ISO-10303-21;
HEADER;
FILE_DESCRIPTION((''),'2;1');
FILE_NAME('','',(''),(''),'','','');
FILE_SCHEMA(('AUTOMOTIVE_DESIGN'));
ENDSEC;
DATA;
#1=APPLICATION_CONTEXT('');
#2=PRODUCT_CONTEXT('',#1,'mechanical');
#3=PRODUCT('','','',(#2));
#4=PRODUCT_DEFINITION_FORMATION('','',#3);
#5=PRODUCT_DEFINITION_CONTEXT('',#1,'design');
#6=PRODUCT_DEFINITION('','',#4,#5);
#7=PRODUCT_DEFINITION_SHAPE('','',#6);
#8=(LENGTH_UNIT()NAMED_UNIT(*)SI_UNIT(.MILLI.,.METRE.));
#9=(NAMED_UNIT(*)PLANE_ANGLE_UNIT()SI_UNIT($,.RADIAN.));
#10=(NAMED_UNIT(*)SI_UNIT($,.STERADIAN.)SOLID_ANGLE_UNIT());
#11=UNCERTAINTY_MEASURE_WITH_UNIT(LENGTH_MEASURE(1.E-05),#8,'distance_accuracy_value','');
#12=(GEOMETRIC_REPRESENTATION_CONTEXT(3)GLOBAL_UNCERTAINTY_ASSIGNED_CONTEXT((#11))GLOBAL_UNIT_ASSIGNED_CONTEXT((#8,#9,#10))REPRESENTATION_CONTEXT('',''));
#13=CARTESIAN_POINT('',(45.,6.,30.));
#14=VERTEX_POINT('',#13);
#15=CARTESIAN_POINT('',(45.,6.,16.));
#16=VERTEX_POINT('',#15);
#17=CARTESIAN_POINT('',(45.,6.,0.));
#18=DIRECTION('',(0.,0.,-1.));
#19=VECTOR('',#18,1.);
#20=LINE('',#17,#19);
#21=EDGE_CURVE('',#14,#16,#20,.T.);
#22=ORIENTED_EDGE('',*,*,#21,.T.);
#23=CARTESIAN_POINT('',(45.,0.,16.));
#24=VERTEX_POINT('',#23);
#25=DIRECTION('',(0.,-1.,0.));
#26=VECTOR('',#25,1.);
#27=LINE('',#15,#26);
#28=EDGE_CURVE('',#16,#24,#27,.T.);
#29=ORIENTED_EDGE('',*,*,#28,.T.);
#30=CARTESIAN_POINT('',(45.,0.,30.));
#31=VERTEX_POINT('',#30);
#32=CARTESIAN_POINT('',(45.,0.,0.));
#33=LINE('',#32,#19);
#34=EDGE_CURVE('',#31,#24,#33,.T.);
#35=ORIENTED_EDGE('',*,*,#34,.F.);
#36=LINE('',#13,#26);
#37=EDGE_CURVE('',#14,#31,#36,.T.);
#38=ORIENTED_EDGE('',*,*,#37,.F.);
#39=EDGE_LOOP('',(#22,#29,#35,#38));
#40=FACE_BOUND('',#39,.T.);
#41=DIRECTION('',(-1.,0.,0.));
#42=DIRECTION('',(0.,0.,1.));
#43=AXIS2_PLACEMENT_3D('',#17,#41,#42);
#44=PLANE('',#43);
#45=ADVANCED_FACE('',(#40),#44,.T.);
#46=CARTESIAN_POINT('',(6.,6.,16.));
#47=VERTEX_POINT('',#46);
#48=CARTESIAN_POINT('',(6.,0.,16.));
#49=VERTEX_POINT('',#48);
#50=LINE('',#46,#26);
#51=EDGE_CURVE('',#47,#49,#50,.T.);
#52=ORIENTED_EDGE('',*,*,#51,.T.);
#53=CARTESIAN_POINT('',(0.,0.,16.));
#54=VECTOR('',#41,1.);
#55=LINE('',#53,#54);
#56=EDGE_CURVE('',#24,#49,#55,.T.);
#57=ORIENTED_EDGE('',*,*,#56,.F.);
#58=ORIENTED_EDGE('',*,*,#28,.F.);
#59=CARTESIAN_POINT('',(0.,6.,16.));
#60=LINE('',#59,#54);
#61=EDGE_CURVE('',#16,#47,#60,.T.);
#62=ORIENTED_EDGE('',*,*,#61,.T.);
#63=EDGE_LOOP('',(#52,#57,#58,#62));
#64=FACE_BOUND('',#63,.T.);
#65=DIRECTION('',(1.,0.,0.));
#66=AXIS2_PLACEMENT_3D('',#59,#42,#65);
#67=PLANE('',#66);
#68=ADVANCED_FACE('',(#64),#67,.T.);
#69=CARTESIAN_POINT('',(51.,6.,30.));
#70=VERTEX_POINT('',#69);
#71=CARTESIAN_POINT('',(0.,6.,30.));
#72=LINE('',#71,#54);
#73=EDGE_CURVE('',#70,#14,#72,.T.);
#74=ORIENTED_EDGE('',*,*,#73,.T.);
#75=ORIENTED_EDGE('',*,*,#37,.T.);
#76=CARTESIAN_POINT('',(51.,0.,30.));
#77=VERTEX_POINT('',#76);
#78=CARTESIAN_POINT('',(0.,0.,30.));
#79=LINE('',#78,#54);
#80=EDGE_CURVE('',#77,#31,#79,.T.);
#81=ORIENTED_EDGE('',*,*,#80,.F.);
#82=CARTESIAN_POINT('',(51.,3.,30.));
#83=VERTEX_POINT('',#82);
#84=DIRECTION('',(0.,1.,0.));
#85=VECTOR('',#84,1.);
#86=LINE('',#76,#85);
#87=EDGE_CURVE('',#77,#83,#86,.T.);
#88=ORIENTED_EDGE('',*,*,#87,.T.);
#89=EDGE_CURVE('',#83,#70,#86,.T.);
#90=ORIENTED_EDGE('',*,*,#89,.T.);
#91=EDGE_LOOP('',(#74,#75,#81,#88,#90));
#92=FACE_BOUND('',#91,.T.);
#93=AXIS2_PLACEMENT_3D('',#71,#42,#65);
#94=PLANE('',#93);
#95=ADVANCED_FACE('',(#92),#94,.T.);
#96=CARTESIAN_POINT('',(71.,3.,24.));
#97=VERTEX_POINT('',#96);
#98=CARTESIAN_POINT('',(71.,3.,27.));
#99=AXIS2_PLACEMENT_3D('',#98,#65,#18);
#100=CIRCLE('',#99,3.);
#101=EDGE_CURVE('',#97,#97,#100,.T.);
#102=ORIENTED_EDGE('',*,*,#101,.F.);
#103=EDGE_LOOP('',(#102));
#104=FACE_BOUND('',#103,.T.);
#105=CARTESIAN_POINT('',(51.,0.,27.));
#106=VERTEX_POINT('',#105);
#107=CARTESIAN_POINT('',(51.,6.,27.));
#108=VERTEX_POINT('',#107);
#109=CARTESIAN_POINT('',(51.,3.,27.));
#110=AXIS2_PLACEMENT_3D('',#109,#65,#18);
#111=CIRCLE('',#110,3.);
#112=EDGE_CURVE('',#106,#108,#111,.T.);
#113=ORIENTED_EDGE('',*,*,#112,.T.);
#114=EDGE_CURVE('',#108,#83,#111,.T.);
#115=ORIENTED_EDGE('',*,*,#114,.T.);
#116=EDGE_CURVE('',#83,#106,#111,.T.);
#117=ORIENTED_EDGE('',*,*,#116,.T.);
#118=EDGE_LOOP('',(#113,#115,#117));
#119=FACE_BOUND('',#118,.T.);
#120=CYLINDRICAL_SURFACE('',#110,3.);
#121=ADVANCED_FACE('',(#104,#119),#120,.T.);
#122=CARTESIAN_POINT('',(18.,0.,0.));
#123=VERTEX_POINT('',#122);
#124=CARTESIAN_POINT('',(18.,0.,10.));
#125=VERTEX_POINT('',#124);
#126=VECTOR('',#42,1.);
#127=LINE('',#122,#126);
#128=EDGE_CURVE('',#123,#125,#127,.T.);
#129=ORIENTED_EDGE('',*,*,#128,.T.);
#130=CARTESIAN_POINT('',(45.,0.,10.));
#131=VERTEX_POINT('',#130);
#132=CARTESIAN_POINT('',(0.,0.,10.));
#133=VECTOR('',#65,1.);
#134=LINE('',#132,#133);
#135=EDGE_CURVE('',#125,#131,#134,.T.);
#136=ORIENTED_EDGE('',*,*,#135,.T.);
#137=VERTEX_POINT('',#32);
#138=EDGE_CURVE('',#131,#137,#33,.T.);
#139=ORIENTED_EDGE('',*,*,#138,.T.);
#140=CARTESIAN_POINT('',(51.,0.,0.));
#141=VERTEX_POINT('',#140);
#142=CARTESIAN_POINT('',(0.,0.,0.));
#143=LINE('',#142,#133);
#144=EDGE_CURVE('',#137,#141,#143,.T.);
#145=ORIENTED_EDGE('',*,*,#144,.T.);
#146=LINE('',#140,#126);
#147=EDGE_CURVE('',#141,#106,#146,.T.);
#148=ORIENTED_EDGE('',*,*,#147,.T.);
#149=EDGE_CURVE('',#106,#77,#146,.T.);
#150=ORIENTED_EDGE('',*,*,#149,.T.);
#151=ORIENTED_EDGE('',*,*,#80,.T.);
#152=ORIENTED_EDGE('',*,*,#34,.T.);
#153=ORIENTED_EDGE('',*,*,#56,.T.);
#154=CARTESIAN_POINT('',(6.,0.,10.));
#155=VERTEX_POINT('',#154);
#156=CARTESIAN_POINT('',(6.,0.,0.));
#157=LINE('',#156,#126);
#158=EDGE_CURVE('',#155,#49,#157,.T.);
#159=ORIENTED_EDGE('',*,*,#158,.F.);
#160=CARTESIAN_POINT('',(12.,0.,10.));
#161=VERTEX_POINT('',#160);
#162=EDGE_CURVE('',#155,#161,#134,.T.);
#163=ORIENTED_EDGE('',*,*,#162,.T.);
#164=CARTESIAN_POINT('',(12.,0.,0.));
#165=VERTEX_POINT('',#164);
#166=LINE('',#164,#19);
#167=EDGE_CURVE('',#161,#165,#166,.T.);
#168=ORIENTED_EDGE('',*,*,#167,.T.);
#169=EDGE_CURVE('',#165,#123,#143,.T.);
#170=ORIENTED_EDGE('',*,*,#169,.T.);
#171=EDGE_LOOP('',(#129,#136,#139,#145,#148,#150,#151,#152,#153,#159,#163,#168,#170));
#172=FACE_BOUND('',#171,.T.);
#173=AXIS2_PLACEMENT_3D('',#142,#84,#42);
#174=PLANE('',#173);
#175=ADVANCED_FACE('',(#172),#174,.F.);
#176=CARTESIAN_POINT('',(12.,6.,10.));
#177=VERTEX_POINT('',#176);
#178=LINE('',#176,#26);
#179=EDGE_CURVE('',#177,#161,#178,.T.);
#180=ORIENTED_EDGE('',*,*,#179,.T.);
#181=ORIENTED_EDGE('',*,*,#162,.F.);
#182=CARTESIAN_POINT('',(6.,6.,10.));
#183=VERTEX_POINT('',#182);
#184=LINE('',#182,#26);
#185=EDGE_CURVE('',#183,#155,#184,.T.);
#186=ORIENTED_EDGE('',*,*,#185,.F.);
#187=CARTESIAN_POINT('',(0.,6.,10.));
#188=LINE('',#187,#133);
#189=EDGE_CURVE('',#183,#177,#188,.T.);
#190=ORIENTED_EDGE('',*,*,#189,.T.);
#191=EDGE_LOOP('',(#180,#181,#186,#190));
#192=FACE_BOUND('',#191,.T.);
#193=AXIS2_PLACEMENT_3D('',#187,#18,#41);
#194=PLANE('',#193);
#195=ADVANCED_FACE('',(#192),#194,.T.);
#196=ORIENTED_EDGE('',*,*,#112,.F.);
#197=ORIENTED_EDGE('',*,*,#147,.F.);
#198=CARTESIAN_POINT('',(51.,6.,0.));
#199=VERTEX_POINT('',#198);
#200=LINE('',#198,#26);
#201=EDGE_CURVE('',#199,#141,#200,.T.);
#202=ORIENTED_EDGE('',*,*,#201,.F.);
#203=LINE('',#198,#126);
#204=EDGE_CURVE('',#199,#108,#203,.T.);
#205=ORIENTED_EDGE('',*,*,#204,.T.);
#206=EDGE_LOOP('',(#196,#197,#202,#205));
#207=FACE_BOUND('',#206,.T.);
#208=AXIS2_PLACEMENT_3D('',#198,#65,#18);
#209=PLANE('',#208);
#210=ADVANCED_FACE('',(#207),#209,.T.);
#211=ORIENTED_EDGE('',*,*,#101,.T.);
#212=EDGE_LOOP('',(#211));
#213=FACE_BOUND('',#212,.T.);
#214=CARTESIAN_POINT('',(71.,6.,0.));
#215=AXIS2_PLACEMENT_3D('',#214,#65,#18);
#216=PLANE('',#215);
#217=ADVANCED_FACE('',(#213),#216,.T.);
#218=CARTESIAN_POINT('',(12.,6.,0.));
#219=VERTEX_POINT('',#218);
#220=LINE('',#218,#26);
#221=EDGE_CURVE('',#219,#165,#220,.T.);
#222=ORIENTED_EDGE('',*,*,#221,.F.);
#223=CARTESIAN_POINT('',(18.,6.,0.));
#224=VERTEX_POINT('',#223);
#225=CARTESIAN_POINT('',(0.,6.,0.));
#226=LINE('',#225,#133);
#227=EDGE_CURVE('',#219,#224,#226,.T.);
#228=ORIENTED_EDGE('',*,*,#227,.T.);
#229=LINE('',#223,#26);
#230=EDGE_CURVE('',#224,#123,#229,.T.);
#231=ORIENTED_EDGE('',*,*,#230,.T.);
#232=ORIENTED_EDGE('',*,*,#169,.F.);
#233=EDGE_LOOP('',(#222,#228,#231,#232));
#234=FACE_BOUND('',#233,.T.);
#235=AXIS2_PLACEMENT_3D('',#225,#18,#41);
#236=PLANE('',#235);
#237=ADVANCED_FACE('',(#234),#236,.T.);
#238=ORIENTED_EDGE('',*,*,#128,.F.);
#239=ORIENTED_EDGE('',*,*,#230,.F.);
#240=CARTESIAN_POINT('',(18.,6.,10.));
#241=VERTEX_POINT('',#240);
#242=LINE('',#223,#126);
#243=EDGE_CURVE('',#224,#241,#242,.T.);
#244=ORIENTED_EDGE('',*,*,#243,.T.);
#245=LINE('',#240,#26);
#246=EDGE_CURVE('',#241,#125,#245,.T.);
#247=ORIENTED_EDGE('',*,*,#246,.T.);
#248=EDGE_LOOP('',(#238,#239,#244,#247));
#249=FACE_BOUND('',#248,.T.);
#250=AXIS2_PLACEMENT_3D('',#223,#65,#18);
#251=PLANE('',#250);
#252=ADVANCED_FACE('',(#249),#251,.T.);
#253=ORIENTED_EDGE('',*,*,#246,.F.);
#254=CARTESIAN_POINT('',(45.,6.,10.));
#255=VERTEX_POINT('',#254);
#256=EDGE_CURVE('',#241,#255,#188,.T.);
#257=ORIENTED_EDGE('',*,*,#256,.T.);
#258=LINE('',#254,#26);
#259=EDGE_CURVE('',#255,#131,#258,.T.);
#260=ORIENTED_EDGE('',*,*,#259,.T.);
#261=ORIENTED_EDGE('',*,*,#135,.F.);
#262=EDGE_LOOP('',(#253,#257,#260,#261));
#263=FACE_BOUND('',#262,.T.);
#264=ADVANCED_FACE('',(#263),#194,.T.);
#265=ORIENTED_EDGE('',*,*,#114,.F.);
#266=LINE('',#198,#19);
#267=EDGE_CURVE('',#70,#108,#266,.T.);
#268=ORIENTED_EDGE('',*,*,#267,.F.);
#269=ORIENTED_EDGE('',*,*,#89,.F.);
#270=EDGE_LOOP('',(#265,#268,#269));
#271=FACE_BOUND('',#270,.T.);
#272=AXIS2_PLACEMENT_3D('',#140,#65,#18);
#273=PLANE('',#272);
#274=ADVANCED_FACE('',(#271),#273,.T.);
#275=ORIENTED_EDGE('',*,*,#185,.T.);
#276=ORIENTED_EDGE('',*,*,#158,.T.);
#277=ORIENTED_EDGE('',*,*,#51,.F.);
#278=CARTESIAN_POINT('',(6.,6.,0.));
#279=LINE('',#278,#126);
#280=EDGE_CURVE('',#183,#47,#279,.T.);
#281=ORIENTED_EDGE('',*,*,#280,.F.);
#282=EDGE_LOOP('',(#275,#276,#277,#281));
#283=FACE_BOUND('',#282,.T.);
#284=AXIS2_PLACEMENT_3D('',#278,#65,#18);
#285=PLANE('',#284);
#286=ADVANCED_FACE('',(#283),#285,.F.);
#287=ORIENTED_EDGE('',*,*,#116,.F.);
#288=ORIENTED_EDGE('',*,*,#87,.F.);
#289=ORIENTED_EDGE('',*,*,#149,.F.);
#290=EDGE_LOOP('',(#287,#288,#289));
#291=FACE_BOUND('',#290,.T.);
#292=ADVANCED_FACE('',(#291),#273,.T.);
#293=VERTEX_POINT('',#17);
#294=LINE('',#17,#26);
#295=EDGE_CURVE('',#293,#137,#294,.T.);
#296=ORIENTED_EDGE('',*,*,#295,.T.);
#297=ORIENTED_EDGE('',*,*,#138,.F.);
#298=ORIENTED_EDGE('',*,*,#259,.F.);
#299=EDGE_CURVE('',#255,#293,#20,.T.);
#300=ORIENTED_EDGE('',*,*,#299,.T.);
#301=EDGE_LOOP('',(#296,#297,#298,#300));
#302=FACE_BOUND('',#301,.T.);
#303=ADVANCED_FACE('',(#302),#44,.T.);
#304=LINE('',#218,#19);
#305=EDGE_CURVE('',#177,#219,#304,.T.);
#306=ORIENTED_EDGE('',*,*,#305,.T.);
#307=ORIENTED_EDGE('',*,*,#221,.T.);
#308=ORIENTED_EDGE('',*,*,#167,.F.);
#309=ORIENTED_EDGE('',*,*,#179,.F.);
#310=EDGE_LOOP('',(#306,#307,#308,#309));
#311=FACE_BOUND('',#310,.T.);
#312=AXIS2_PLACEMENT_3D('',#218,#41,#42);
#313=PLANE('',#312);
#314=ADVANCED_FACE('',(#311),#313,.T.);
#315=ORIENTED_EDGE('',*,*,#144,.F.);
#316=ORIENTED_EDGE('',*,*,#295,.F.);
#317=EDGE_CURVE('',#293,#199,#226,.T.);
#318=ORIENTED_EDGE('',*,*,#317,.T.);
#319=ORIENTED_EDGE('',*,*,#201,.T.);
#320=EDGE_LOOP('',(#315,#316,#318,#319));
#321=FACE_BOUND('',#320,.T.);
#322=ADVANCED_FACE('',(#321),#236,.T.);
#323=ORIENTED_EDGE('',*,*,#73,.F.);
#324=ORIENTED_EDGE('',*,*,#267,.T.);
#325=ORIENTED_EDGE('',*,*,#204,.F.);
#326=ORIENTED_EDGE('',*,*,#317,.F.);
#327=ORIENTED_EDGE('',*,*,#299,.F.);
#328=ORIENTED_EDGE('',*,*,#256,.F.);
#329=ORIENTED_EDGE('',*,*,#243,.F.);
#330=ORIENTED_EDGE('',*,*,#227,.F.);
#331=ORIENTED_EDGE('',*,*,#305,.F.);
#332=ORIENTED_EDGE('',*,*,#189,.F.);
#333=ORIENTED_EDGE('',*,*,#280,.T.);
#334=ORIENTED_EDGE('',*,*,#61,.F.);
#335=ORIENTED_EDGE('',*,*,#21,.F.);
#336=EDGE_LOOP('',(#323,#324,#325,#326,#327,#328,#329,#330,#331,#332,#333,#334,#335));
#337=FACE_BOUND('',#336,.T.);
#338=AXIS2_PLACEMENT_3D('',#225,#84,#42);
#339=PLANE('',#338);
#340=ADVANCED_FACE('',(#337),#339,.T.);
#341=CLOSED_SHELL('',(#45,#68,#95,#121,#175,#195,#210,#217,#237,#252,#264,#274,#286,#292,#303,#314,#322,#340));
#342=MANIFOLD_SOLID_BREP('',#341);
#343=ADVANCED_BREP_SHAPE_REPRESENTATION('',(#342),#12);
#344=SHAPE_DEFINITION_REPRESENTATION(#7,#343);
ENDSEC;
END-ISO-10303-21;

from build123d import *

# Parameters (mm, degrees)
RESSALTO_EXTRUS_O3_DEPTH = 6
CORTE_EXTRUS_O1_DEPTH    = 20


with BuildPart() as part:
    # Esboço1 → Ressalto-extrusão3 (new body)
    with BuildSketch(Plane(origin=(0, 0, 0), x_dir=(1, 0, 0), z_dir=(0, 1, 0))):
        Polygon((12, -10), (6, -10), (6, -16), (45, -16), (45, -30), (71, -30), (71, -24), (51, -24), (51, 0), (45, 0), (45, -10), (18, -10), (18, 0), (12, 0), align=None)
    extrude(amount=RESSALTO_EXTRUS_O3_DEPTH)

    # Esboço2 → Corte-extrusão1 (cut)
    with BuildSketch(Plane(origin=(71, 0, 0), x_dir=(0, 0, -1), z_dir=(1, 0, 0))):
        with BuildLine():
            Line((-30, 6), (-30, 3))
            ThreePointArc((-30, 3), (-29.121320344, 5.121320344), (-27, 6))
            Line((-27, 6), (-30, 6))
        make_face()
        with BuildLine():
            Line((-24, 6), (-27, 6))
            ThreePointArc((-27, 6), (-24.878679656, 5.121320344), (-24, 3))
            Line((-24, 3), (-24, 6))
        make_face()
        with BuildLine():
            ThreePointArc((-24, 3), (-24.878679656, 0.878679656), (-27, 0))
            Line((-27, 0), (-24, 0))
            Line((-24, 0), (-24, 3))
        make_face()
        with BuildLine():
            ThreePointArc((-27, 0), (-29.121320344, 0.878679656), (-30, 3))
            Line((-30, 3), (-30, 0))
            Line((-30, 0), (-27, 0))
        make_face()
    extrude(amount=-CORTE_EXTRUS_O1_DEPTH, mode=Mode.SUBTRACT)


solid = part.part
